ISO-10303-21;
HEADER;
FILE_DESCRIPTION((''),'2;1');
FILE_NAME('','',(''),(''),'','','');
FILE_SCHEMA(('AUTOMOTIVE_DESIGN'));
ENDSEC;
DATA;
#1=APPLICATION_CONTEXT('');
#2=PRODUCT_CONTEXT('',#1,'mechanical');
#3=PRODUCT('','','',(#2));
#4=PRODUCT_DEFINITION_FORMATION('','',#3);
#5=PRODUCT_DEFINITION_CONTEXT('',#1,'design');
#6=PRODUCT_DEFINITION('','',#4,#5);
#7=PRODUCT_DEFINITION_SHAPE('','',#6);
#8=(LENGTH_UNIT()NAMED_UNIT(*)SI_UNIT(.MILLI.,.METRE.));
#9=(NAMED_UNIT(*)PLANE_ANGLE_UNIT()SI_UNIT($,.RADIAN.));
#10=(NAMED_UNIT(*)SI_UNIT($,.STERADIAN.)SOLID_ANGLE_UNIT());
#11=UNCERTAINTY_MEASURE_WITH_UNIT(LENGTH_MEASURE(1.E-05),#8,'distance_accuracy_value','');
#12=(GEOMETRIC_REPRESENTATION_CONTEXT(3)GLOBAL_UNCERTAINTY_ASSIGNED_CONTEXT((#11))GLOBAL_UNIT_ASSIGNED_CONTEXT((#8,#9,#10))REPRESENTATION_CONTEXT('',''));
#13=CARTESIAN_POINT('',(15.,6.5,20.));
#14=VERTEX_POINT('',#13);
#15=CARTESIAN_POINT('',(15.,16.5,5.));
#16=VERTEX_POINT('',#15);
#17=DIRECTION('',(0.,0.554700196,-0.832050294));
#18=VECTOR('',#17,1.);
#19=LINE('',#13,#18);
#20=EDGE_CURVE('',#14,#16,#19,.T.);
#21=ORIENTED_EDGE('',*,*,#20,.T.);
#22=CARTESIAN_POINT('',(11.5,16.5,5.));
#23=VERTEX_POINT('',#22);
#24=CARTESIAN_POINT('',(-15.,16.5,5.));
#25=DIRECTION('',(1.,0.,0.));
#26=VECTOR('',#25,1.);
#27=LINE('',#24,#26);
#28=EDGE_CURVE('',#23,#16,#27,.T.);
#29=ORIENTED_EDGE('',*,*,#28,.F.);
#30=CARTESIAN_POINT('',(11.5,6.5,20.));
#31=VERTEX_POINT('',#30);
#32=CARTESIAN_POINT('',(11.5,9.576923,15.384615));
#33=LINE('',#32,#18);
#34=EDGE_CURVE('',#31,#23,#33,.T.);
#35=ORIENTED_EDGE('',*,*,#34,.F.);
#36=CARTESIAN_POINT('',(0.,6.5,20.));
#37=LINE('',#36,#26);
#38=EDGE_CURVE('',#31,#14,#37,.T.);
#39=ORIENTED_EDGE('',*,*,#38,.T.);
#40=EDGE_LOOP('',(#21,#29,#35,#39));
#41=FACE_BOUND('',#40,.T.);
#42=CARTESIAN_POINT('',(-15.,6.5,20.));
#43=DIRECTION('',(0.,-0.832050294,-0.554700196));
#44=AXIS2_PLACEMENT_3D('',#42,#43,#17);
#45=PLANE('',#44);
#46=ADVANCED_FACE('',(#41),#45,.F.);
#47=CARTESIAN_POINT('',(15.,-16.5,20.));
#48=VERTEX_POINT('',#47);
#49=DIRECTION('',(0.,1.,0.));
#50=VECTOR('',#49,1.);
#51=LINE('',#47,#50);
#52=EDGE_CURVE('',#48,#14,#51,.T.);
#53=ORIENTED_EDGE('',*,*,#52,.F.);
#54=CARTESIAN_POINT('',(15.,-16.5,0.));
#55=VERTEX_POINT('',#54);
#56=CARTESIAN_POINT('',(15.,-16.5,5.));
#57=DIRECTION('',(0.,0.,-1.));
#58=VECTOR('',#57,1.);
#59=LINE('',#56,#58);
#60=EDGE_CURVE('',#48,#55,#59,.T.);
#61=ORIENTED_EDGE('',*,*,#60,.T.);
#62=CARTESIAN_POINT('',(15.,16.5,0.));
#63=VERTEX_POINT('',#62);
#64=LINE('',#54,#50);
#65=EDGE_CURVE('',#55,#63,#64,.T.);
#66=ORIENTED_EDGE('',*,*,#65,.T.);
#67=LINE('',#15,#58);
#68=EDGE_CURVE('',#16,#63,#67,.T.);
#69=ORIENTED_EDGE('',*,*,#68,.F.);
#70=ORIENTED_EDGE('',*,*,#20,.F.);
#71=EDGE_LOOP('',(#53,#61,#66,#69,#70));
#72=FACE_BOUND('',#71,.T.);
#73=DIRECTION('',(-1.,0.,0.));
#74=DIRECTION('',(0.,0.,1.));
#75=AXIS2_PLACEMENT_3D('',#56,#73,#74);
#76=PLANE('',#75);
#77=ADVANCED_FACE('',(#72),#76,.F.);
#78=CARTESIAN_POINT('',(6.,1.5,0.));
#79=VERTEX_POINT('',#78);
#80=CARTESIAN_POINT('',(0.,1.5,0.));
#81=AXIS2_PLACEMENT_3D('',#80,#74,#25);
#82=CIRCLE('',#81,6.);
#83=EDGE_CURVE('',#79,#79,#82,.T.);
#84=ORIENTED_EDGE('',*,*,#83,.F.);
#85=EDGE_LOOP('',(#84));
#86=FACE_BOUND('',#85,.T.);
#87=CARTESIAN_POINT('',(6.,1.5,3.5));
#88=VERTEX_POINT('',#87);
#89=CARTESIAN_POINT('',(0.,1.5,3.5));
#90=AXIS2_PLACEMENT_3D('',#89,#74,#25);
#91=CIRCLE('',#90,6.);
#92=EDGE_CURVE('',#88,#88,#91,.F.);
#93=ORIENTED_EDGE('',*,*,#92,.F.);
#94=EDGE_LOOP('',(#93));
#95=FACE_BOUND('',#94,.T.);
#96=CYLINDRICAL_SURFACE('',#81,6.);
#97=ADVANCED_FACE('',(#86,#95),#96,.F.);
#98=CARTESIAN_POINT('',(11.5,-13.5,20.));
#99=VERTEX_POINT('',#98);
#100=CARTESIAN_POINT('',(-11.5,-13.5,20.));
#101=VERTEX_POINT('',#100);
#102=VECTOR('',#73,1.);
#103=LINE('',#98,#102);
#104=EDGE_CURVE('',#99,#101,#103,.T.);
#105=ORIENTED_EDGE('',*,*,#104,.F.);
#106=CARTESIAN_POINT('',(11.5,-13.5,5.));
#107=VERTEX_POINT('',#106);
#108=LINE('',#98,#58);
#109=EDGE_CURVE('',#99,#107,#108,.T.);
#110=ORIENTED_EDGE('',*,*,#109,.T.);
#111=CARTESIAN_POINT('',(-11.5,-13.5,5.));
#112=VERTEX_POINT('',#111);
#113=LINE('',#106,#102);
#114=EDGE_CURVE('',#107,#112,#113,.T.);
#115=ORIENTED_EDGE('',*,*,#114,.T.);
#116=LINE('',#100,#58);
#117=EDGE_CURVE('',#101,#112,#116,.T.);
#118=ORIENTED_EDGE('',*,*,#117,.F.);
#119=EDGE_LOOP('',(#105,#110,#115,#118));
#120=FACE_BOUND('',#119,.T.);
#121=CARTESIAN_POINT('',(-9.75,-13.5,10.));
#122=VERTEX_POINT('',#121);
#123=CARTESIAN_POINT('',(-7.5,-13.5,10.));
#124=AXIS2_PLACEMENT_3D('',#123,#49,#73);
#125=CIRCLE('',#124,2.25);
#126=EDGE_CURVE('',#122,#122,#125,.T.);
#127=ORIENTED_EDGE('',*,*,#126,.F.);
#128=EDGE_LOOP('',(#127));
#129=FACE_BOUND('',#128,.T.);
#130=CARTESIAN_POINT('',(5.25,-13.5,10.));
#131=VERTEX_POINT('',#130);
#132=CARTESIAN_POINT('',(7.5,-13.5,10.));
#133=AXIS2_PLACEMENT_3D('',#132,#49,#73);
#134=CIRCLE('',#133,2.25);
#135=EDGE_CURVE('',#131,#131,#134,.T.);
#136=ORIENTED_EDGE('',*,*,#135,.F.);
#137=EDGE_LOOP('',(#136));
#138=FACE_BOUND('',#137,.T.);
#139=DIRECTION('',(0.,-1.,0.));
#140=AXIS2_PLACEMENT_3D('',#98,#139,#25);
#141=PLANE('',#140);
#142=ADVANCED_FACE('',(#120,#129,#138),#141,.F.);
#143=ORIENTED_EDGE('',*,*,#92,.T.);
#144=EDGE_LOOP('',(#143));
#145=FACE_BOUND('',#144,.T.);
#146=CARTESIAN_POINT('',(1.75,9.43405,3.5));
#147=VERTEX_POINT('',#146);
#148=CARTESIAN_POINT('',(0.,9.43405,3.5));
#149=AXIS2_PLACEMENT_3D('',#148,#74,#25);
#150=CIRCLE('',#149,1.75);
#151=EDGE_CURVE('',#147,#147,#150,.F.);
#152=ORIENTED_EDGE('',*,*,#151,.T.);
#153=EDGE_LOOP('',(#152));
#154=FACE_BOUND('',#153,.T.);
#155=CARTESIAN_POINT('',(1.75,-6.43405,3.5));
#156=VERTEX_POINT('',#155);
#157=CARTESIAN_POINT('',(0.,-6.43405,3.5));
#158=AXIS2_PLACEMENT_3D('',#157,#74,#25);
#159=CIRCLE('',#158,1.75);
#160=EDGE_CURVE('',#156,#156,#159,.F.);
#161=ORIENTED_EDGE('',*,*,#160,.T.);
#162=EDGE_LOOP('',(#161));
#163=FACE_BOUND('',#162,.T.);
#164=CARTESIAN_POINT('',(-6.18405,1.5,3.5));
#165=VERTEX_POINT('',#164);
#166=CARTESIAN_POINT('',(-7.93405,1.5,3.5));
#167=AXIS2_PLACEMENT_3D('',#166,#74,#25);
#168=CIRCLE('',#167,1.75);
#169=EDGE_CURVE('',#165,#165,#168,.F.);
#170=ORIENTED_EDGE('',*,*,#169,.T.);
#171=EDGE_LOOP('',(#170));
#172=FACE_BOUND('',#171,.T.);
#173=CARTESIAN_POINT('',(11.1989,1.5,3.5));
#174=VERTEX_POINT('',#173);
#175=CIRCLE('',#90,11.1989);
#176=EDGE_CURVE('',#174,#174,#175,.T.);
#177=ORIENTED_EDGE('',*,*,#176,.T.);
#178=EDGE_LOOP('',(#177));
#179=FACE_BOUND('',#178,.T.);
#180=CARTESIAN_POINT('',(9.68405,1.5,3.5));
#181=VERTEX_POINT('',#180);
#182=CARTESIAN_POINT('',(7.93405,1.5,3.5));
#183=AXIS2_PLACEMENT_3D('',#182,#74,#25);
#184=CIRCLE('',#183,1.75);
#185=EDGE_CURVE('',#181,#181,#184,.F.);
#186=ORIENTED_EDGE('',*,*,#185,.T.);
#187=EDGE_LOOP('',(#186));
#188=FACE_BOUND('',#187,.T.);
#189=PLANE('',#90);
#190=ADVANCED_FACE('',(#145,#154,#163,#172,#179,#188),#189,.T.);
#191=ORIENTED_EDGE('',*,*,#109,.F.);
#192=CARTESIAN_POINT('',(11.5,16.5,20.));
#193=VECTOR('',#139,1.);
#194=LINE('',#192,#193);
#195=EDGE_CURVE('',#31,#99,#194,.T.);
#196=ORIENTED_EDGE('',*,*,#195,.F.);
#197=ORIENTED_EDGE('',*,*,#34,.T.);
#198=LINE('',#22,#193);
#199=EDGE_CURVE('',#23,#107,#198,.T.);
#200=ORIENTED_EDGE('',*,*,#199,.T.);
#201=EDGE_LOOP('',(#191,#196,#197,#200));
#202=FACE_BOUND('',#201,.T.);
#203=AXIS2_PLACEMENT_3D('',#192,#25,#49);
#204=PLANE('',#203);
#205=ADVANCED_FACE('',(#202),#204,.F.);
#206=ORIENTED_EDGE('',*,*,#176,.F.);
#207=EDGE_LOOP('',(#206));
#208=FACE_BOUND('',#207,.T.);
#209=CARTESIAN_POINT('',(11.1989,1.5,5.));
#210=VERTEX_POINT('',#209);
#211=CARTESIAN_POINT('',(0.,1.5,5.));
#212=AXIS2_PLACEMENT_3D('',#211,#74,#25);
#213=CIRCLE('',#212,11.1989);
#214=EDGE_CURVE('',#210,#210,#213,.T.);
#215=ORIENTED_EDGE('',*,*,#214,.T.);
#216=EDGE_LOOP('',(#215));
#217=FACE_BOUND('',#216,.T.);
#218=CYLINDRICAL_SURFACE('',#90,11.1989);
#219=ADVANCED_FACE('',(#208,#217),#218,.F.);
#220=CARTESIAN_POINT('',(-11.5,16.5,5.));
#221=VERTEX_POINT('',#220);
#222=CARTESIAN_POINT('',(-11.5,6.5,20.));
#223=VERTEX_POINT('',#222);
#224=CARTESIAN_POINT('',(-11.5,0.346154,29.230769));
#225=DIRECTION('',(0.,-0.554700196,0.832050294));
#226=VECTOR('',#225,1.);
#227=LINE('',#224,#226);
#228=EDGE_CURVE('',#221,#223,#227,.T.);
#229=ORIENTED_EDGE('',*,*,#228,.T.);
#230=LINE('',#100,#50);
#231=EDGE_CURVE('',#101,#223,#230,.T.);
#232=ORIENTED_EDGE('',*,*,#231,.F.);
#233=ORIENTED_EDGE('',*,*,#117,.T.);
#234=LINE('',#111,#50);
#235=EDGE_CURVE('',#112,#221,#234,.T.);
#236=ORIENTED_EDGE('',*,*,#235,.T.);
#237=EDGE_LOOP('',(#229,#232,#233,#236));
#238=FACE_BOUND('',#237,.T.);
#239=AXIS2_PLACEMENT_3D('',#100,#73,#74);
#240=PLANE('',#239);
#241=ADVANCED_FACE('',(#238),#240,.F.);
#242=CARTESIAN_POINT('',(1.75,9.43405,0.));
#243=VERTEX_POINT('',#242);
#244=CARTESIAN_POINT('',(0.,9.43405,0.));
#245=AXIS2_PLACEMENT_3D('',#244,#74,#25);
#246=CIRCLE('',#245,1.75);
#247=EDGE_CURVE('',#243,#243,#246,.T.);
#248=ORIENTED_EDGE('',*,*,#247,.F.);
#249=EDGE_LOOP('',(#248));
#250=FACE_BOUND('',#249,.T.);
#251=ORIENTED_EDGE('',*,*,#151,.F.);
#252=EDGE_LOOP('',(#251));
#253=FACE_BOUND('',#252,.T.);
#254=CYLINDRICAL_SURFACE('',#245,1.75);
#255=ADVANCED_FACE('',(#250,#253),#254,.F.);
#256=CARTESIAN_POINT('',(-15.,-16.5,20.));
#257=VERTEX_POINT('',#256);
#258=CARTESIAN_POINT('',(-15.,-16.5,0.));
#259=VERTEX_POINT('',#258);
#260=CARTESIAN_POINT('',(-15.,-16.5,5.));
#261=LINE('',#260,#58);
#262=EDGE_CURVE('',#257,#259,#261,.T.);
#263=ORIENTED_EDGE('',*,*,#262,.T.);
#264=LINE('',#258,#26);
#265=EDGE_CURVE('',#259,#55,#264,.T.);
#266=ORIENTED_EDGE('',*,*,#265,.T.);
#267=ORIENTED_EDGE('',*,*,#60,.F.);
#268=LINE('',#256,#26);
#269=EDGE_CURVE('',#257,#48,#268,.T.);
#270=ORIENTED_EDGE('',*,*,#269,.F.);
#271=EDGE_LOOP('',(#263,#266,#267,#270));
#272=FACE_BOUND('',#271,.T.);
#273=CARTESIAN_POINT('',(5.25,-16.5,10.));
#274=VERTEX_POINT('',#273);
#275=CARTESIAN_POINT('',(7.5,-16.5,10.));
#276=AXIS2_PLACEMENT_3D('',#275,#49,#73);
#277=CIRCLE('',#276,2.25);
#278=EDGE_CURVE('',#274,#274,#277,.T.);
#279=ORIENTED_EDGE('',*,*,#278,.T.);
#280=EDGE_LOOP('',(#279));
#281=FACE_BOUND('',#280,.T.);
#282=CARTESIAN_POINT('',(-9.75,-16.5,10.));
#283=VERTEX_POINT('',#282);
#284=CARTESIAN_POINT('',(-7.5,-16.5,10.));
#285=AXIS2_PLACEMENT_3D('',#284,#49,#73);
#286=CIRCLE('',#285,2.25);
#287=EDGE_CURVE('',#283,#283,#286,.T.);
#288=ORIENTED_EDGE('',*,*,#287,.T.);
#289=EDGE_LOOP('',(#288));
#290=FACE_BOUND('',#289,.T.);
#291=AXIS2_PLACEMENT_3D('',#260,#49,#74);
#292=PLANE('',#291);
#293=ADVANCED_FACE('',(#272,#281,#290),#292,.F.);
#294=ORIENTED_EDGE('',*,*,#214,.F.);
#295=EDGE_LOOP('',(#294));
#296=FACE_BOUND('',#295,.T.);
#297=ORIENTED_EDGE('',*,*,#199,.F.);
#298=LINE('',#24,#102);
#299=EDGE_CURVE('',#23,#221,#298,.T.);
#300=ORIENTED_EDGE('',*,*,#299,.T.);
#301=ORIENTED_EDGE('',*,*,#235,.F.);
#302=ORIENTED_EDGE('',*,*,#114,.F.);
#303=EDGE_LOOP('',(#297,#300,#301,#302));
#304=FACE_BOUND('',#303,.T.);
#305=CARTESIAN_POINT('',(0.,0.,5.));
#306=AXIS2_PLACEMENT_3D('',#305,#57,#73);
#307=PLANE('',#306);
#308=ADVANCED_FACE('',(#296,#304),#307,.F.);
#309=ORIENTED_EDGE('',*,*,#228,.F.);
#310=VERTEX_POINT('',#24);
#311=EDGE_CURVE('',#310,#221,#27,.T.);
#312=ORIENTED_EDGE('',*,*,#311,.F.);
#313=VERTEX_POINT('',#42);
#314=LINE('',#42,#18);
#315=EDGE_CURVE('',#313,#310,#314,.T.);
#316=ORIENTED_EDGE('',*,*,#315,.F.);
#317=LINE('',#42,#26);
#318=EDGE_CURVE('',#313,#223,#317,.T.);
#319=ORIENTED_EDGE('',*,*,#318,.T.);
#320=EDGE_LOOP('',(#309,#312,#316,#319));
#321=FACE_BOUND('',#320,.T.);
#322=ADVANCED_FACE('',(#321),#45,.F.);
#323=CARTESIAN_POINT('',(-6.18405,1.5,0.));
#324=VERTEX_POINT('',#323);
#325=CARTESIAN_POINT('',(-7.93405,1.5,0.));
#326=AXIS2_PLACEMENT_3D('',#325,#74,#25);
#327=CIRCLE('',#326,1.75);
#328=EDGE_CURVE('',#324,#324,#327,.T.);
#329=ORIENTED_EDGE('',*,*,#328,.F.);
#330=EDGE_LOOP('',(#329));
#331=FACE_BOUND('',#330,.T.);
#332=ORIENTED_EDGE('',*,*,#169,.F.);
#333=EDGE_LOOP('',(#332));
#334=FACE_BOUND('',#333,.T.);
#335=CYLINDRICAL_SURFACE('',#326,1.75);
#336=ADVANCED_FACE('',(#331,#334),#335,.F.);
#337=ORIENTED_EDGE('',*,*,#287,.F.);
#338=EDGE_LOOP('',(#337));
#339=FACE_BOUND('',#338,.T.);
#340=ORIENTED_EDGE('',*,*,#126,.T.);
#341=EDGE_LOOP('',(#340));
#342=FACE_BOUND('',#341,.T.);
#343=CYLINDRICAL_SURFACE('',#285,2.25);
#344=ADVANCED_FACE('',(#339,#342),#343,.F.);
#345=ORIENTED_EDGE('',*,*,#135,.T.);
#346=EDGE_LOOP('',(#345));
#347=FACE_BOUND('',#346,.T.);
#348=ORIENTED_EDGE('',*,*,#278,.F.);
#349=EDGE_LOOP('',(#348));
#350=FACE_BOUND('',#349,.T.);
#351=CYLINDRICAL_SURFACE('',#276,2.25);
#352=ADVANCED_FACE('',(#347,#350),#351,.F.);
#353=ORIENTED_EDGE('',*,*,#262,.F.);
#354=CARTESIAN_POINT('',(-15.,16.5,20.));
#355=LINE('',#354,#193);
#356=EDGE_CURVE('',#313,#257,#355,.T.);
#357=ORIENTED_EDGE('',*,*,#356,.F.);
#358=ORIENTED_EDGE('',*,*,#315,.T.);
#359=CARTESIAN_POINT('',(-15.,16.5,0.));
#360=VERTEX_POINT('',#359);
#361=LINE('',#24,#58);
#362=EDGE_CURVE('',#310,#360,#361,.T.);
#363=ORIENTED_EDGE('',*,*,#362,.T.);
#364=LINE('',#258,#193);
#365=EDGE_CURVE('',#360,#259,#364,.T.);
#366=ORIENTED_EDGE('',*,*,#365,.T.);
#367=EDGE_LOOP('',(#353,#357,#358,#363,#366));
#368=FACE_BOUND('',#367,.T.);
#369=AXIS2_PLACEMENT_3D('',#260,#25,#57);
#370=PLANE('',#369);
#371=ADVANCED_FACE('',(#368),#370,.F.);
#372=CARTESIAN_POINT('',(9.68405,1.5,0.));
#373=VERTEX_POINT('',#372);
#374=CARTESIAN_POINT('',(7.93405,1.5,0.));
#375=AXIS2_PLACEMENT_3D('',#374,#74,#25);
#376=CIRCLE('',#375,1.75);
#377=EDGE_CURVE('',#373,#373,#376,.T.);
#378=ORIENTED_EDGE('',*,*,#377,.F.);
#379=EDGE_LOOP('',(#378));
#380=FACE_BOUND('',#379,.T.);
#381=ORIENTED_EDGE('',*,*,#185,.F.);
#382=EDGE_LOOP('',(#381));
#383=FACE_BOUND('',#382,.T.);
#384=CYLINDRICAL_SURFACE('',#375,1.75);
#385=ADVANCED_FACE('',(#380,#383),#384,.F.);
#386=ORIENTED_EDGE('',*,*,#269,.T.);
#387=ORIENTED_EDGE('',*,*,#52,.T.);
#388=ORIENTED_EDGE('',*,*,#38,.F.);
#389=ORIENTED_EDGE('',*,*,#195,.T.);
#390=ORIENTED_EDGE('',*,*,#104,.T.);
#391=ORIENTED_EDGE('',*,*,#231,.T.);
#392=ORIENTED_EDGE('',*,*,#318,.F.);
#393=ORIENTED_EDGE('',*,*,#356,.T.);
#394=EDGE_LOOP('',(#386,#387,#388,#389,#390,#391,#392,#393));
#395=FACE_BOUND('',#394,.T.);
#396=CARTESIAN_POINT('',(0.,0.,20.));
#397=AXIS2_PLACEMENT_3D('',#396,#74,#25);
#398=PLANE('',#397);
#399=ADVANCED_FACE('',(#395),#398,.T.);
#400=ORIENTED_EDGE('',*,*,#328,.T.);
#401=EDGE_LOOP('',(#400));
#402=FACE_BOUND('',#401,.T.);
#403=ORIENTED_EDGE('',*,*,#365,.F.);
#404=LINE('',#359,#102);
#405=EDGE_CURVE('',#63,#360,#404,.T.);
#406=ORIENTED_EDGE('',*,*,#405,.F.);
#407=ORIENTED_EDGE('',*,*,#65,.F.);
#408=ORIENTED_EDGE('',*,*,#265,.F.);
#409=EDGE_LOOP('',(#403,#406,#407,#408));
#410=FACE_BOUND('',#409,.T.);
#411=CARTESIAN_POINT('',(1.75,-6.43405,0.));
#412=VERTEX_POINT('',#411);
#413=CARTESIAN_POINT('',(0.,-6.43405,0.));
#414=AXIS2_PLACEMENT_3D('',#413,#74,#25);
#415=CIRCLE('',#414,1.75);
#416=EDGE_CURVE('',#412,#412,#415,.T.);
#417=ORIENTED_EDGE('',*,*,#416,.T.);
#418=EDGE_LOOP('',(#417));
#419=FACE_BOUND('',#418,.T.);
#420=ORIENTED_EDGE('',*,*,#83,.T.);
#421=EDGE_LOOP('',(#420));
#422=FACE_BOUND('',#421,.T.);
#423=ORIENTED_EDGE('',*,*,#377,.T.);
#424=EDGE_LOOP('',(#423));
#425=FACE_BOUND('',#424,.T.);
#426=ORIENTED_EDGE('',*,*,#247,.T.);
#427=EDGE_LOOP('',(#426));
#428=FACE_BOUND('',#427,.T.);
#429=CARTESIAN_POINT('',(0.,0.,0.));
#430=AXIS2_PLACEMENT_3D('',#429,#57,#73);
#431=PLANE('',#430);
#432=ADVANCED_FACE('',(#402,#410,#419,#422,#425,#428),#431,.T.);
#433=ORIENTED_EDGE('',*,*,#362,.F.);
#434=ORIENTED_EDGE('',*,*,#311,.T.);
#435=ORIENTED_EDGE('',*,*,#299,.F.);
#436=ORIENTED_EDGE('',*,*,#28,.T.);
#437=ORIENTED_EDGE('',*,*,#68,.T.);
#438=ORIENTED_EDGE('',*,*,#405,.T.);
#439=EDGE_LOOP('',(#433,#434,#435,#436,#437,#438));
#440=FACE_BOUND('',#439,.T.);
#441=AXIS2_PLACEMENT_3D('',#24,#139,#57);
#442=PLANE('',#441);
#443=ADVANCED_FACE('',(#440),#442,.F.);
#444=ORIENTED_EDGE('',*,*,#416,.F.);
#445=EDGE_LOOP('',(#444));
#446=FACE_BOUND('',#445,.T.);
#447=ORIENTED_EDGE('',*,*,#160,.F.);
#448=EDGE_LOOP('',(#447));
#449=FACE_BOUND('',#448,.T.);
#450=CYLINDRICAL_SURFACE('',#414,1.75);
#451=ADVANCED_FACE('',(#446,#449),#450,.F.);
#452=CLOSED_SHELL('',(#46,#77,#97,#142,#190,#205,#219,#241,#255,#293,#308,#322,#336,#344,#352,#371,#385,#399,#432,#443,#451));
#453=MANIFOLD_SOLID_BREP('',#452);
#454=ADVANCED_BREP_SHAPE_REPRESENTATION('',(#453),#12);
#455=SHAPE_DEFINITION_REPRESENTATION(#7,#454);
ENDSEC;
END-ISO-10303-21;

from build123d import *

# Parameters (mm, degrees)
SKETCH1_W           = 30
SKETCH1_H           = 33
BOSS_EXTRUDE1_DEPTH = 5
BOSS_EXTRUDE2_DEPTH = 15
CUT_EXTRUDE1_DEPTH  = 40.651607786
SKETCH4_R           = 6
SKETCH4_R_2         = 1.75
CUT_EXTRUDE2_DEPTH  = 27.874709301
SKETCH5_R           = 11.1989
CUT_EXTRUDE3_DEPTH  = 1.5
SKETCH6_R           = 2.25
CUT_EXTRUDE4_DEPTH  = 40.05124838


with BuildPart() as part:
    # Sketch1 → Boss-Extrude1 (new body)
    with BuildSketch(Plane.XY):
        Rectangle(SKETCH1_W, SKETCH1_H)
    extrude(amount=BOSS_EXTRUDE1_DEPTH)

    # Sketch2 → Boss-Extrude2 (add)
    with BuildSketch(Plane.XY.offset(5)):
        Polygon((-15, 16.5), (-15, -16.5), (15, -16.5), (15, 16.5), (11.5, 16.5), (11.5, -13.5), (-11.5, -13.5), (-11.5, 16.5), align=None)
    extrude(amount=BOSS_EXTRUDE2_DEPTH)

    # Sketch3 → Cut-Extrude1 (cut, through all)
    with BuildSketch(Plane(origin=(15, 0, 0), x_dir=(0, 0, -1), z_dir=(1, 0, 0))):
        Polygon((-5, 16.5), (-20, 16.5), (-20, 6.5), align=None)
    extrude(amount=-CUT_EXTRUDE1_DEPTH, mode=Mode.SUBTRACT)

    # Sketch4 → Cut-Extrude2 (cut, through all)
    with BuildSketch(Plane.XY.offset(5)):
        with Locations((0, 1.5)):
            Circle(SKETCH4_R)
        with Locations((0, 9.43405)):
            Circle(SKETCH4_R_2)
        with Locations((-7.93405, 1.5)):
            Circle(SKETCH4_R_2)
        with Locations((7.93405, 1.5)):
            Circle(SKETCH4_R_2)
        with Locations((0, -6.43405)):
            Circle(SKETCH4_R_2)
    extrude(amount=-CUT_EXTRUDE2_DEPTH, mode=Mode.SUBTRACT)

    # Sketch5 → Cut-Extrude3 (cut)
    with BuildSketch(Plane.XY.offset(5)):
        with Locations((0, 1.5)):
            Circle(SKETCH5_R)
    extrude(amount=-CUT_EXTRUDE3_DEPTH, mode=Mode.SUBTRACT)

    # Sketch6 → Cut-Extrude4 (cut, through all)
    with BuildSketch(Plane(origin=(0, -13.5, 0), x_dir=(1, 0, 0), z_dir=(0, 1, 0))):
        with Locations(Location((-7.5, -10, 0), (0, 0, 180))):
            Circle(SKETCH6_R)
        with Locations(Location((7.5, -10, 0), (0, 0, 180))):
            Circle(SKETCH6_R)
    extrude(amount=-CUT_EXTRUDE4_DEPTH, mode=Mode.SUBTRACT)


solid = part.part
